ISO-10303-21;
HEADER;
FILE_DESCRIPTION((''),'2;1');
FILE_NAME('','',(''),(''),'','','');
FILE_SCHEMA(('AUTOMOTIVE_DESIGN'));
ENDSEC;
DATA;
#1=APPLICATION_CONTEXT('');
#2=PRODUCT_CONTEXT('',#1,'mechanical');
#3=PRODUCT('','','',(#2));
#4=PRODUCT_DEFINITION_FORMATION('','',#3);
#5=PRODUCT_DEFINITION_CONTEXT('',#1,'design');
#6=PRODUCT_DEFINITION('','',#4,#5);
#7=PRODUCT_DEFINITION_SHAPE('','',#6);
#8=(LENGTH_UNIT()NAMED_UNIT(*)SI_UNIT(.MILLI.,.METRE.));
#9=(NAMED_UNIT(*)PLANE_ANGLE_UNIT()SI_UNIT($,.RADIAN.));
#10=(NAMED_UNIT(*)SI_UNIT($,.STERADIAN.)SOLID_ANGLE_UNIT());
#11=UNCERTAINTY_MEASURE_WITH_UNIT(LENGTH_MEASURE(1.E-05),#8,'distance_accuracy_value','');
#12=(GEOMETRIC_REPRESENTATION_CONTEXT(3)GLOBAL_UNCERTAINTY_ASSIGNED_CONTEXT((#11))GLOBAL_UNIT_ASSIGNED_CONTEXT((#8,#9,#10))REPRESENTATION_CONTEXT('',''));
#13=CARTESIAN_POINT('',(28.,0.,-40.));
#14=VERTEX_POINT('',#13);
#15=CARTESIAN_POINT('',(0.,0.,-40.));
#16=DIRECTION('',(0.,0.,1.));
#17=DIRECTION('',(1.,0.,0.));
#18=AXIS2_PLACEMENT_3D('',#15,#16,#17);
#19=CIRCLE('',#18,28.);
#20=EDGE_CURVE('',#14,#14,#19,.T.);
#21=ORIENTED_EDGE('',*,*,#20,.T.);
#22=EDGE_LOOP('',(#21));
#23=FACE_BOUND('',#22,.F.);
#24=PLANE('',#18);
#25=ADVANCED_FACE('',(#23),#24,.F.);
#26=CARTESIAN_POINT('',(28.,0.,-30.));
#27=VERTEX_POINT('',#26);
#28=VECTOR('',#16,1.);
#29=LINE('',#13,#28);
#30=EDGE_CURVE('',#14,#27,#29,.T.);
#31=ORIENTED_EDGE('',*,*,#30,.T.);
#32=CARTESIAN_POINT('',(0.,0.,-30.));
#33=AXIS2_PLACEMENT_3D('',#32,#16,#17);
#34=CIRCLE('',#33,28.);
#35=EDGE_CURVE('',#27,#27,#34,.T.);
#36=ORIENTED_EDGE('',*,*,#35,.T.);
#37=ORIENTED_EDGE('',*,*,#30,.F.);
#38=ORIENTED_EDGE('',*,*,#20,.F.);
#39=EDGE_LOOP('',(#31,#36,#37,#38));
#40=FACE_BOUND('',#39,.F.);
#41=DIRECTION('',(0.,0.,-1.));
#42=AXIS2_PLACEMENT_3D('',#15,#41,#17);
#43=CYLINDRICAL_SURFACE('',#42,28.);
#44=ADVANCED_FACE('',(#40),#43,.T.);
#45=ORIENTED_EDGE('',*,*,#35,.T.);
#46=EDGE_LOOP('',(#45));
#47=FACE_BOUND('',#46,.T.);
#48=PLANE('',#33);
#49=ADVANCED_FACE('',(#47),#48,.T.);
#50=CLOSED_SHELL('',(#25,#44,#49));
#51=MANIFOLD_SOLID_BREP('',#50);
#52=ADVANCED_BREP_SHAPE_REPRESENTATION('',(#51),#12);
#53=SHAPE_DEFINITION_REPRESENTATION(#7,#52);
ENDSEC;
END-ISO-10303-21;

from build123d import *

# Parameters (mm, degrees)
SKETCH_R  = 28
PAD_DEPTH = 10


with BuildPart() as part:
    # Sketch → Pad (new body)
    with BuildSketch(Plane.XY):
        Circle(SKETCH_R)
    extrude(amount=PAD_DEPTH)


with BuildPart() as part_1:
    # PadBody placement: moved
    add(part.part.moved(Location((0, 0, -40))))


solid = part_1.part
